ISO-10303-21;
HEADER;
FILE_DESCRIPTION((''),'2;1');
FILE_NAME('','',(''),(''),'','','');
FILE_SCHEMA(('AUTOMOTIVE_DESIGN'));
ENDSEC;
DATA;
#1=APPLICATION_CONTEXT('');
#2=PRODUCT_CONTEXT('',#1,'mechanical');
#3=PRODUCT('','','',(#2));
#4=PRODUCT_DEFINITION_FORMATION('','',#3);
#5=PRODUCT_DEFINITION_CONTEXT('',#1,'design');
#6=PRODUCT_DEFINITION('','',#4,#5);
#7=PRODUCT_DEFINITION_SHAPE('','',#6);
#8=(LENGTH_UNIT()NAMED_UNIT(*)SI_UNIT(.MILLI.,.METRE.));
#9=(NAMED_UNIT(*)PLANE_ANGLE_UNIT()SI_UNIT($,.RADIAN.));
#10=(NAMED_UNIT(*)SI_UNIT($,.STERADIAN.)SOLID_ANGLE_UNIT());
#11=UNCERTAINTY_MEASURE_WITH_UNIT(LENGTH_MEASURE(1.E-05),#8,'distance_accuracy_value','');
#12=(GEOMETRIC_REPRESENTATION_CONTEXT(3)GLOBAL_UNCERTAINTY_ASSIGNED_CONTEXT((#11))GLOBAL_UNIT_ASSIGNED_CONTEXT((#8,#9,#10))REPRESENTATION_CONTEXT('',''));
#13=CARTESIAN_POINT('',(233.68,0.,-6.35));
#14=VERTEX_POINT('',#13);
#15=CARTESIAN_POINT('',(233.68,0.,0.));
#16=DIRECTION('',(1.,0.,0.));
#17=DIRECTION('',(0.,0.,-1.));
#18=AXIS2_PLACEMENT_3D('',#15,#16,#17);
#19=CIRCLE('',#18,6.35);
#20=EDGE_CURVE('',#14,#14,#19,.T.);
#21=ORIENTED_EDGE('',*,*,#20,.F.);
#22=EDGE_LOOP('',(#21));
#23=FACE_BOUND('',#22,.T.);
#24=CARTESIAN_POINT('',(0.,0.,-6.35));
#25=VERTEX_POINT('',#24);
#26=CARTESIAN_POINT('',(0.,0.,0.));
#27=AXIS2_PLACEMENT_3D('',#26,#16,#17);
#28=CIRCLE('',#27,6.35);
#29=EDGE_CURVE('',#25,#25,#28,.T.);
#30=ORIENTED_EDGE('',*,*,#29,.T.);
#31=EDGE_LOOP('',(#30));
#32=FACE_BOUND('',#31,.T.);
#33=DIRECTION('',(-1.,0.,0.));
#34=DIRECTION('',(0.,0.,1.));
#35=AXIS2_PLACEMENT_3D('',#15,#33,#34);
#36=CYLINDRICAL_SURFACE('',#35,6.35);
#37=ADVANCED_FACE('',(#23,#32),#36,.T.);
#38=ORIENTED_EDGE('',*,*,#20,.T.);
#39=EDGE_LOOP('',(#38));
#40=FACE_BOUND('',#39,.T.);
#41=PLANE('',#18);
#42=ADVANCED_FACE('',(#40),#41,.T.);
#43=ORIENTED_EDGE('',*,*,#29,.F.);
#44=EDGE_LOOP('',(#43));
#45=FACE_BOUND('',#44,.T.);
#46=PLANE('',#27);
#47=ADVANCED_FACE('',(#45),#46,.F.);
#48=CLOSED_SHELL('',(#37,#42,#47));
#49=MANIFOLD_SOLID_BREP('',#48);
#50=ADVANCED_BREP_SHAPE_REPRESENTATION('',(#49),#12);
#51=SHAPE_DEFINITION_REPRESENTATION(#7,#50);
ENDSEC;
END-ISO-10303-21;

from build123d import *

# Parameters (mm, degrees)
SKETCH1_R           = 6.35
BOSS_EXTRUDE1_DEPTH = 233.68


with BuildPart() as part:
    # Sketch1 → Boss-Extrude1 (new body)
    with BuildSketch(Plane(origin=(0, 0, 0), x_dir=(0, 0, -1), z_dir=(1, 0, 0))):
        Circle(SKETCH1_R)
    extrude(amount=BOSS_EXTRUDE1_DEPTH)


solid = part.part
